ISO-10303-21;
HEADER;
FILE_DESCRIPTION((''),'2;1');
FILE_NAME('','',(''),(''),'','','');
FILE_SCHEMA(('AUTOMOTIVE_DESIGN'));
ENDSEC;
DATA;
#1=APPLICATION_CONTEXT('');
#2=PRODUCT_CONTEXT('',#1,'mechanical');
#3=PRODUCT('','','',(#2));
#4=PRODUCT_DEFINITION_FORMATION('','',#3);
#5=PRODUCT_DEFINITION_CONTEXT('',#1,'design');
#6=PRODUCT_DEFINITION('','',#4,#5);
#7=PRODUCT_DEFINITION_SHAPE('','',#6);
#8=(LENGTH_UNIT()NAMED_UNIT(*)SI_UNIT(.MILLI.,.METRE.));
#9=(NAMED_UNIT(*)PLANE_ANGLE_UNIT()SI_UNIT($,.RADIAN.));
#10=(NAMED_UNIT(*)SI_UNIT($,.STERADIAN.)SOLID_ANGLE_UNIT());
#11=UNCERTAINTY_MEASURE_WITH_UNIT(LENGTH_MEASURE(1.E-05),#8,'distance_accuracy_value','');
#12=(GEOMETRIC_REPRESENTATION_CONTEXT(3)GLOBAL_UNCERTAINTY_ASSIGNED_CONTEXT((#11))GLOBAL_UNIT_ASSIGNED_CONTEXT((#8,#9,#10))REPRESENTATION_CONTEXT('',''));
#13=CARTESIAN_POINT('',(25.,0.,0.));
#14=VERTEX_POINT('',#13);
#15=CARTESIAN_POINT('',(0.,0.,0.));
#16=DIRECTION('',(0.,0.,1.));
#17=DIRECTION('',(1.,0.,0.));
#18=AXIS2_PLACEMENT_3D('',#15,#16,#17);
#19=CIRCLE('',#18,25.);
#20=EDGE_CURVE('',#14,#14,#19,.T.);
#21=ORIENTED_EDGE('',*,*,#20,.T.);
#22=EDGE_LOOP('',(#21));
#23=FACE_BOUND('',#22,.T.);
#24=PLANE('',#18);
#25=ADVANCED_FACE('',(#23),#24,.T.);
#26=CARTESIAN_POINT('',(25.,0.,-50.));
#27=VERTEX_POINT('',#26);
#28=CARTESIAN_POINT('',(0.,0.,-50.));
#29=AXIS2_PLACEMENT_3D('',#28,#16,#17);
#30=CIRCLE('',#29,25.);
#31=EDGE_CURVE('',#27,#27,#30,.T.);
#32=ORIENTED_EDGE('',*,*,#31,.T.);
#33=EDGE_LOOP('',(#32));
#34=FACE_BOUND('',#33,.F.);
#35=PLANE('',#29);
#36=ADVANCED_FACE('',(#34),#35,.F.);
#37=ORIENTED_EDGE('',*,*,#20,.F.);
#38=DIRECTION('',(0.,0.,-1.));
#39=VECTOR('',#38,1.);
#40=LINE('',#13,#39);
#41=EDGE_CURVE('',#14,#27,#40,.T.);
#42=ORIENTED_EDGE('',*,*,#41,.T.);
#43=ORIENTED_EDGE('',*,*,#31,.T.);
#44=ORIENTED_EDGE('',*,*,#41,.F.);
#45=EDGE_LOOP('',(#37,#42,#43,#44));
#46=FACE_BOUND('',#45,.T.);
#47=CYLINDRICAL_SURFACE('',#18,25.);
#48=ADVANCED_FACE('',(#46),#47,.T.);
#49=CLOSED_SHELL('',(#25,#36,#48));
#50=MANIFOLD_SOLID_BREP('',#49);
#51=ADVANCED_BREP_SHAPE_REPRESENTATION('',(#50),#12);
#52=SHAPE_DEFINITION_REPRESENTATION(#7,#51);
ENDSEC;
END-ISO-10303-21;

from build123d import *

# Parameters (mm, degrees)
SKETCH1_R           = 25
BOSS_EXTRUDE1_DEPTH = 50


with BuildPart() as part:
    # Sketch1 → Boss-Extrude1 (new body)
    with BuildSketch(Plane.XY):
        Circle(SKETCH1_R)
    extrude(amount=-BOSS_EXTRUDE1_DEPTH)


solid = part.part
